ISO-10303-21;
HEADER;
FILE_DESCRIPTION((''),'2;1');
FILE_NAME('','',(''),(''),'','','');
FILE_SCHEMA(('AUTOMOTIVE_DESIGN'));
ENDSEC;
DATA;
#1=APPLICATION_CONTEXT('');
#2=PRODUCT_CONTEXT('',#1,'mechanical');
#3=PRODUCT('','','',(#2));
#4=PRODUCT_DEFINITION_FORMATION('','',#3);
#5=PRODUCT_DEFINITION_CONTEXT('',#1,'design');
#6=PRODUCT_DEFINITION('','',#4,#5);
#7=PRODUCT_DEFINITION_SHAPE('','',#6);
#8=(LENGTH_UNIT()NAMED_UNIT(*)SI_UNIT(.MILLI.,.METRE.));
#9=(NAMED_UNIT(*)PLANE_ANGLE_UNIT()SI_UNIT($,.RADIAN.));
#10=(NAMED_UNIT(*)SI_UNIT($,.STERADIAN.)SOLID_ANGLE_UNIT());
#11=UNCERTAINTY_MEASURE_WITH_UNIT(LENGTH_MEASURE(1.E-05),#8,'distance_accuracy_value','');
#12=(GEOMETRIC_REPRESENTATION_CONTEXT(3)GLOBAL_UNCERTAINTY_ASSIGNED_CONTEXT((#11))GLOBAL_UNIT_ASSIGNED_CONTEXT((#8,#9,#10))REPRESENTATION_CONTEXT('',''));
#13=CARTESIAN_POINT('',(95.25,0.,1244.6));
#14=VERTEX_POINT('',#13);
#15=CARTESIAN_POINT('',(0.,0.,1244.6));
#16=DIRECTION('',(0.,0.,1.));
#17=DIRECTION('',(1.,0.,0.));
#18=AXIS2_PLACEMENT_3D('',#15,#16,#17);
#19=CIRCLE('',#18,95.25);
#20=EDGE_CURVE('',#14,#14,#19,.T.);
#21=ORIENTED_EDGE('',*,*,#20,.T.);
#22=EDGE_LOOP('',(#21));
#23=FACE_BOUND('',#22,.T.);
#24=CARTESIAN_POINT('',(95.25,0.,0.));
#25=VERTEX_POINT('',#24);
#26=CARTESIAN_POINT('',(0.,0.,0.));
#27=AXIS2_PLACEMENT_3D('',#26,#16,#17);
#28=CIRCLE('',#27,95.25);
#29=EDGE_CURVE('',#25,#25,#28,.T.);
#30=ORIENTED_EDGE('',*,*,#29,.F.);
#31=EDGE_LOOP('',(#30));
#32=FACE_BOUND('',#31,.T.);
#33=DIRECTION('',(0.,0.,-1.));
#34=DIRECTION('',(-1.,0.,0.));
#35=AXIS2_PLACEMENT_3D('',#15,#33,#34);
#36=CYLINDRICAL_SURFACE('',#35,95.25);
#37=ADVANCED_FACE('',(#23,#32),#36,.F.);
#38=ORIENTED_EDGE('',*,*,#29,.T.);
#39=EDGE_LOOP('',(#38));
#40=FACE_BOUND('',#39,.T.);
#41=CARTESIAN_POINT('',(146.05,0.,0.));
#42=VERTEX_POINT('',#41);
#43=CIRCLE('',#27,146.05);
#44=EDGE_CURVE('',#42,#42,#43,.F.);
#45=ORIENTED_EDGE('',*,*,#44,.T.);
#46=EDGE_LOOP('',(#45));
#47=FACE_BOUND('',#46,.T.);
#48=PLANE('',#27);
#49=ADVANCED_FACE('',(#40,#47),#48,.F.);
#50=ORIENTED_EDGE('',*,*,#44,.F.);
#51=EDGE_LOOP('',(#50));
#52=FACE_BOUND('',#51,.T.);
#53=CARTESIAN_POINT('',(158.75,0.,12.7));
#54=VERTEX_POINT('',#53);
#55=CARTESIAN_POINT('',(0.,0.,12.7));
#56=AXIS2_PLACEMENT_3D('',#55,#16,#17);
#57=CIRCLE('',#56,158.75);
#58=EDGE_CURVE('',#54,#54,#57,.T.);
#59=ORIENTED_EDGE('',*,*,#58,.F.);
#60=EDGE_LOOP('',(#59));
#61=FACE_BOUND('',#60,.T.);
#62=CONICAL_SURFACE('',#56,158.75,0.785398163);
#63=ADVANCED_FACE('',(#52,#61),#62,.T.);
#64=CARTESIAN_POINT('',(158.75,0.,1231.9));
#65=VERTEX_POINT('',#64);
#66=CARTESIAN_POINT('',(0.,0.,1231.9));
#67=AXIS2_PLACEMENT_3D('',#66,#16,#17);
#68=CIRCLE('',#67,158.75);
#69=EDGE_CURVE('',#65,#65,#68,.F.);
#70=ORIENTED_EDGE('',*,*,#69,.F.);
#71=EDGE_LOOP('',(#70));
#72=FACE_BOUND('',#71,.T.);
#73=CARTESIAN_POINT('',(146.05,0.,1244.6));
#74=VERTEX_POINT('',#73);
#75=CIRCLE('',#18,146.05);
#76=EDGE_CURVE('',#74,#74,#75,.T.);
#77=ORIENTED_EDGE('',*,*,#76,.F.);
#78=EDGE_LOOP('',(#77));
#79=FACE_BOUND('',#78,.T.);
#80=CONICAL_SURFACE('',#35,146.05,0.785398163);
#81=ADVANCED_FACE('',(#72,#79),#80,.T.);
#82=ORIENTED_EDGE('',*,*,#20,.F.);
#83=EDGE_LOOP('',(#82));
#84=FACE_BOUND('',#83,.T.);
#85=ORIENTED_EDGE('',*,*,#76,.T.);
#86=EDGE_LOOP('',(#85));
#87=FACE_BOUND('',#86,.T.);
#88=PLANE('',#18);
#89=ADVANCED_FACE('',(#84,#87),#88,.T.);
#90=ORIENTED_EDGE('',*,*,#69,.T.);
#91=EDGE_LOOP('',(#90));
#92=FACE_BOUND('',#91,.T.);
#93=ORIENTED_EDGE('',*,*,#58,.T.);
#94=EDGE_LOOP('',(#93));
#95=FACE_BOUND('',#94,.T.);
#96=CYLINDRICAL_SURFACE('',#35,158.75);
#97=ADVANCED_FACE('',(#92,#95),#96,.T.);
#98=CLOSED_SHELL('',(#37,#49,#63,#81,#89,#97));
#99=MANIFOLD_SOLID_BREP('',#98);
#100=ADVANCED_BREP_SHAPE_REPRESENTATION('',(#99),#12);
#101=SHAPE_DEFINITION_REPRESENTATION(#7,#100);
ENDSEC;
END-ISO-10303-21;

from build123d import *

# Parameters (mm, degrees)
SKETCH1_R           = 158.75
SKETCH1_R_2         = 95.25
EXTRUDE_THIN1_DEPTH = 1244.6
CHAMFER1_SIZE       = 12.7


with BuildPart() as part:
    # Sketch1 → Extrude-Thin1 (new body)
    with BuildSketch(Plane.XY):
        Circle(SKETCH1_R)
        Circle(SKETCH1_R_2, mode=Mode.SUBTRACT)
    extrude(amount=EXTRUDE_THIN1_DEPTH)

    # Chamfer1
    chamfer1_edges = [part.edges().sort_by_distance(p)[0] for p in [
        (-158.75, 0, 0),
        (-158.75, 0, 1244.6),
    ]]
    chamfer(chamfer1_edges, length=CHAMFER1_SIZE)


solid = part.part
